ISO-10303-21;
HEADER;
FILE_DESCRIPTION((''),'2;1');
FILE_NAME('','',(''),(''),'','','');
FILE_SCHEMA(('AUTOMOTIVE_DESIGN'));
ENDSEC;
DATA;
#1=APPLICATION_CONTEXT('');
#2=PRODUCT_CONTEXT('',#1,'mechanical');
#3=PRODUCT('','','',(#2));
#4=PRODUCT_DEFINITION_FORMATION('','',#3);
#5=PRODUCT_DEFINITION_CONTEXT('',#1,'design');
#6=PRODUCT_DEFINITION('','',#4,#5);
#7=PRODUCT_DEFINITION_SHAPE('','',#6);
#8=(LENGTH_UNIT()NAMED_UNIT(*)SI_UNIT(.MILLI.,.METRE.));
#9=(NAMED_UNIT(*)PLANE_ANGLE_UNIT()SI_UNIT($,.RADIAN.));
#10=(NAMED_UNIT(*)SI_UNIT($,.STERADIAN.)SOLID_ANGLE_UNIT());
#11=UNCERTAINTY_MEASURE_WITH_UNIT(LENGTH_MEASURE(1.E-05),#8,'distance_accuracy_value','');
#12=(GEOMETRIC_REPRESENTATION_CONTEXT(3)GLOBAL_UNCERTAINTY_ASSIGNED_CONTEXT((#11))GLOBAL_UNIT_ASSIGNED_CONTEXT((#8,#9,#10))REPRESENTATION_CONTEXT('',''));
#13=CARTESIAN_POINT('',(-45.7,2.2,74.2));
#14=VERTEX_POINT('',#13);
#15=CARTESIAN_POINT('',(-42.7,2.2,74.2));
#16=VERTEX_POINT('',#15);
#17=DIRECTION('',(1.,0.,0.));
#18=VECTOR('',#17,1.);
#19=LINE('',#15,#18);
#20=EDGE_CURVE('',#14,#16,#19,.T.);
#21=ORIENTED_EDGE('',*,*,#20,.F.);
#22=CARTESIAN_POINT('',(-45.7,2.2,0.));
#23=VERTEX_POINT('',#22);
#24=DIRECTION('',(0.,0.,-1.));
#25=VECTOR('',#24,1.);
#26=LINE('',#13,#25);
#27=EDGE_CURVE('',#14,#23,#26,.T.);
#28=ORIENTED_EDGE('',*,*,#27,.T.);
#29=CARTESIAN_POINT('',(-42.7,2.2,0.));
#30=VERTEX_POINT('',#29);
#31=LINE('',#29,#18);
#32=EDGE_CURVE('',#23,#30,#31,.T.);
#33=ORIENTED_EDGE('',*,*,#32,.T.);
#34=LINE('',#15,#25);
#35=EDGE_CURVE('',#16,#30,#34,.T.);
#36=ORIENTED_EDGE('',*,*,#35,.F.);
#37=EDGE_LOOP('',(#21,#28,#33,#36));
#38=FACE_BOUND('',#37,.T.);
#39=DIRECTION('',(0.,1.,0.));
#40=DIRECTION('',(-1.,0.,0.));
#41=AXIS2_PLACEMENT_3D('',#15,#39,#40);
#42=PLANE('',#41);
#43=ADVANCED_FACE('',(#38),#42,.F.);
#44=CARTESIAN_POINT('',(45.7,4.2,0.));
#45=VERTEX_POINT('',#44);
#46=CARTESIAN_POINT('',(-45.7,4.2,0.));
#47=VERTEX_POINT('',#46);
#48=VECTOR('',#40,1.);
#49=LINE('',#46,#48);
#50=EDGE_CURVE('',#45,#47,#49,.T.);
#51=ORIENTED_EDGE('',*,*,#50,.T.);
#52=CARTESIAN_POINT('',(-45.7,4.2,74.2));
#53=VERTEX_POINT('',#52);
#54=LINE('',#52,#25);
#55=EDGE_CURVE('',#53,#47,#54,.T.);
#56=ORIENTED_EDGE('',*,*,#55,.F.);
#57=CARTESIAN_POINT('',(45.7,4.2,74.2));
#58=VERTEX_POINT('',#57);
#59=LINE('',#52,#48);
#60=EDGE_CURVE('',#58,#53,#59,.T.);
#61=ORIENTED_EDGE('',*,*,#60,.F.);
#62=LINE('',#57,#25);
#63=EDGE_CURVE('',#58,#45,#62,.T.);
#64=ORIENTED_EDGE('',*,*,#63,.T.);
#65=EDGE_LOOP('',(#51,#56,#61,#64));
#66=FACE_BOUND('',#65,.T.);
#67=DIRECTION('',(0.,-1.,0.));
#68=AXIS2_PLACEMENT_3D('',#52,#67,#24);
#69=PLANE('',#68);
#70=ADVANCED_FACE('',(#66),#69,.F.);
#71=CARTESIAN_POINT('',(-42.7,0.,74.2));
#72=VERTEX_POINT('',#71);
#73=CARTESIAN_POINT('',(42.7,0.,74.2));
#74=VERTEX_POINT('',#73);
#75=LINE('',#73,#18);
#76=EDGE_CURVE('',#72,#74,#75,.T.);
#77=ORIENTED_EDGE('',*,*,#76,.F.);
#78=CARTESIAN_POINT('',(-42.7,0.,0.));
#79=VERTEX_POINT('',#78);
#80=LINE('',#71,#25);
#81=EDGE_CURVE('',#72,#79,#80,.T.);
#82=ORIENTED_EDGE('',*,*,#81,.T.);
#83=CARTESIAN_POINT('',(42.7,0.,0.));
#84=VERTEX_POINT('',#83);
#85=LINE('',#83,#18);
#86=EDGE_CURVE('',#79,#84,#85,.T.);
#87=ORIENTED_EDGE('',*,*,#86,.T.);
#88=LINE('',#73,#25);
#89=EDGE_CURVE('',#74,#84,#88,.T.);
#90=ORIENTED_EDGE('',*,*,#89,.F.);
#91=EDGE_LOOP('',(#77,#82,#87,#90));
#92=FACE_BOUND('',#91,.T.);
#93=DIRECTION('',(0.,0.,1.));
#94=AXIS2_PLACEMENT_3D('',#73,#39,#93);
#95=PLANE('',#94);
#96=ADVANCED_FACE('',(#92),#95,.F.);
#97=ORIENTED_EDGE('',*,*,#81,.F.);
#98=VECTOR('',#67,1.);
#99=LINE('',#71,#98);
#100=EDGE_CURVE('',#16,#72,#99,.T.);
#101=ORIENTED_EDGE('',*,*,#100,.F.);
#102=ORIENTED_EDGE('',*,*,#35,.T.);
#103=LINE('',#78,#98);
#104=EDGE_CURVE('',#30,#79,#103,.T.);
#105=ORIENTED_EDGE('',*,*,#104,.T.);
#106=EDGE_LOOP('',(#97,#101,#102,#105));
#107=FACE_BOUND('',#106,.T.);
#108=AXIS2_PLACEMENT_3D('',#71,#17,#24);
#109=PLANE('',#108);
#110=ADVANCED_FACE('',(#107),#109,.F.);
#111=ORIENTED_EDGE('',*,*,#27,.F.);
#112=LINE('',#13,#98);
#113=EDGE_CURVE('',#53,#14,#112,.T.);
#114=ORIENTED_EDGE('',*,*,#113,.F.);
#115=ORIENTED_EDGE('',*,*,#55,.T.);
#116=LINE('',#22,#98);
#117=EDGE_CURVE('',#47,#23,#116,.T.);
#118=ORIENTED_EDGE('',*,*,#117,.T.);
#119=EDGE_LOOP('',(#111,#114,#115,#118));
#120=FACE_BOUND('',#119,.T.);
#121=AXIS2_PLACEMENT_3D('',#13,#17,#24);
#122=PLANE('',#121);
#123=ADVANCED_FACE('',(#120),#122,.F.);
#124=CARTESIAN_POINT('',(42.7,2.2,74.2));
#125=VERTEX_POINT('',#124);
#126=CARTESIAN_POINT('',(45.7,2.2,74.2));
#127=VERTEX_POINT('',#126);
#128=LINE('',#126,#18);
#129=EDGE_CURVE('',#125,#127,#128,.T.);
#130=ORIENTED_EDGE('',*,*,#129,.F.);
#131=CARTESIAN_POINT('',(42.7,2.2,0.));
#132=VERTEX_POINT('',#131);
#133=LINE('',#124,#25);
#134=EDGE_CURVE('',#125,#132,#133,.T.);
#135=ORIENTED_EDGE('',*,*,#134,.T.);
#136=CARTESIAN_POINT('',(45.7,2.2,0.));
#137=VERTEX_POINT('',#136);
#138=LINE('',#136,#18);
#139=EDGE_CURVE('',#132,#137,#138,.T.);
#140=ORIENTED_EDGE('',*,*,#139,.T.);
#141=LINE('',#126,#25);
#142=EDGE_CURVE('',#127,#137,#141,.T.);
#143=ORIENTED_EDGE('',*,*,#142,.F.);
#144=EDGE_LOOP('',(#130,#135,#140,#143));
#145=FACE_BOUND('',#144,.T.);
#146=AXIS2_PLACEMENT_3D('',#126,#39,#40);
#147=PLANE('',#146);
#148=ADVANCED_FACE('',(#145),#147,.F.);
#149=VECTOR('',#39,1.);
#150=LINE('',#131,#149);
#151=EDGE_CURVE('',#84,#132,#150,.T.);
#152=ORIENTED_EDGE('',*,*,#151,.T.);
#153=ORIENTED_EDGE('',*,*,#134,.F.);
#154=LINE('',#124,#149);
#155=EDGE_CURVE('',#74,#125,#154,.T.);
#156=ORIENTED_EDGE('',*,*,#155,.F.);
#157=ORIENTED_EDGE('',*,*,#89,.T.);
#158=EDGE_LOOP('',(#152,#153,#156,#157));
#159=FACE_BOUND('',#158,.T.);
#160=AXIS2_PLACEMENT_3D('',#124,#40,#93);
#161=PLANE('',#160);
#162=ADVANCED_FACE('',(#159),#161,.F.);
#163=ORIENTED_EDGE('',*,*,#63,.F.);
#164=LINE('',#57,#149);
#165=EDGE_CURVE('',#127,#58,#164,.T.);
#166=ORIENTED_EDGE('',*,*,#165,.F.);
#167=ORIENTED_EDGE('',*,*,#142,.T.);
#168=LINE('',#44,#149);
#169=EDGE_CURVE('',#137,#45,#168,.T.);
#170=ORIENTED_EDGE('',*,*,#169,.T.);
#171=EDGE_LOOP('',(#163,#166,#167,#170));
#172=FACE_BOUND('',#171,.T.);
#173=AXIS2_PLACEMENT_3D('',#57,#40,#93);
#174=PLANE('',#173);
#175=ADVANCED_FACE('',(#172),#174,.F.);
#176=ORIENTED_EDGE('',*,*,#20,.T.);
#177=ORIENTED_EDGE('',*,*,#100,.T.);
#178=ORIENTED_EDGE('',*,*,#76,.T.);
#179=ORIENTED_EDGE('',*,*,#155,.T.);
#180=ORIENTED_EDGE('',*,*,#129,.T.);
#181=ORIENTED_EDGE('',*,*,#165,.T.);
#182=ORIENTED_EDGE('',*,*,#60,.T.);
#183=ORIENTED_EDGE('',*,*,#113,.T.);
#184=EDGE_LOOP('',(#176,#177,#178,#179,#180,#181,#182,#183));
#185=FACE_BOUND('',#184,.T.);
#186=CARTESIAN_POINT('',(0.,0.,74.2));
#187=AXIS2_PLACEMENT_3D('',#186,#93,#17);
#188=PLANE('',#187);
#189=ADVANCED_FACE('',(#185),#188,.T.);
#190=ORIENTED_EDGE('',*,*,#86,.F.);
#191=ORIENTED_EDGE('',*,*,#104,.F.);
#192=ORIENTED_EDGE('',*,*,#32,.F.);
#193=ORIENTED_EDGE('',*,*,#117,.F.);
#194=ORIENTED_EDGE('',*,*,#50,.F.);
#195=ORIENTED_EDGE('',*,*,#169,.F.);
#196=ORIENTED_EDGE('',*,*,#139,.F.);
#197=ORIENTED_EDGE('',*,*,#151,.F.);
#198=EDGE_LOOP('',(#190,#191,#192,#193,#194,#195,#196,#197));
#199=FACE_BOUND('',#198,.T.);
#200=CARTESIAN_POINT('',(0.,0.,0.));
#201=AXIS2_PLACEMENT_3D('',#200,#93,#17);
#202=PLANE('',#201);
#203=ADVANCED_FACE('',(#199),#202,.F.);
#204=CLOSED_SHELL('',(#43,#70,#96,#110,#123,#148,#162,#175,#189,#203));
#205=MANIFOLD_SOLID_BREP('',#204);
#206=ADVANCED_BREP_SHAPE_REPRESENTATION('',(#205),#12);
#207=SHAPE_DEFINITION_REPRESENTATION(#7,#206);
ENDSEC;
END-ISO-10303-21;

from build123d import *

# Parameters (mm, degrees)
BOSS_EXTRUDE1_DEPTH = 74.2


with BuildPart() as part:
    # Sketch2 → Boss-Extrude1 (new body)
    with BuildSketch(Plane.XY):
        Polygon((42.7, 0), (-42.7, 0), (-42.7, 2.2), (-45.7, 2.2), (-45.7, 4.2), (45.7, 4.2), (45.7, 2.2), (42.7, 2.2), align=None)
    extrude(amount=BOSS_EXTRUDE1_DEPTH)


solid = part.part
